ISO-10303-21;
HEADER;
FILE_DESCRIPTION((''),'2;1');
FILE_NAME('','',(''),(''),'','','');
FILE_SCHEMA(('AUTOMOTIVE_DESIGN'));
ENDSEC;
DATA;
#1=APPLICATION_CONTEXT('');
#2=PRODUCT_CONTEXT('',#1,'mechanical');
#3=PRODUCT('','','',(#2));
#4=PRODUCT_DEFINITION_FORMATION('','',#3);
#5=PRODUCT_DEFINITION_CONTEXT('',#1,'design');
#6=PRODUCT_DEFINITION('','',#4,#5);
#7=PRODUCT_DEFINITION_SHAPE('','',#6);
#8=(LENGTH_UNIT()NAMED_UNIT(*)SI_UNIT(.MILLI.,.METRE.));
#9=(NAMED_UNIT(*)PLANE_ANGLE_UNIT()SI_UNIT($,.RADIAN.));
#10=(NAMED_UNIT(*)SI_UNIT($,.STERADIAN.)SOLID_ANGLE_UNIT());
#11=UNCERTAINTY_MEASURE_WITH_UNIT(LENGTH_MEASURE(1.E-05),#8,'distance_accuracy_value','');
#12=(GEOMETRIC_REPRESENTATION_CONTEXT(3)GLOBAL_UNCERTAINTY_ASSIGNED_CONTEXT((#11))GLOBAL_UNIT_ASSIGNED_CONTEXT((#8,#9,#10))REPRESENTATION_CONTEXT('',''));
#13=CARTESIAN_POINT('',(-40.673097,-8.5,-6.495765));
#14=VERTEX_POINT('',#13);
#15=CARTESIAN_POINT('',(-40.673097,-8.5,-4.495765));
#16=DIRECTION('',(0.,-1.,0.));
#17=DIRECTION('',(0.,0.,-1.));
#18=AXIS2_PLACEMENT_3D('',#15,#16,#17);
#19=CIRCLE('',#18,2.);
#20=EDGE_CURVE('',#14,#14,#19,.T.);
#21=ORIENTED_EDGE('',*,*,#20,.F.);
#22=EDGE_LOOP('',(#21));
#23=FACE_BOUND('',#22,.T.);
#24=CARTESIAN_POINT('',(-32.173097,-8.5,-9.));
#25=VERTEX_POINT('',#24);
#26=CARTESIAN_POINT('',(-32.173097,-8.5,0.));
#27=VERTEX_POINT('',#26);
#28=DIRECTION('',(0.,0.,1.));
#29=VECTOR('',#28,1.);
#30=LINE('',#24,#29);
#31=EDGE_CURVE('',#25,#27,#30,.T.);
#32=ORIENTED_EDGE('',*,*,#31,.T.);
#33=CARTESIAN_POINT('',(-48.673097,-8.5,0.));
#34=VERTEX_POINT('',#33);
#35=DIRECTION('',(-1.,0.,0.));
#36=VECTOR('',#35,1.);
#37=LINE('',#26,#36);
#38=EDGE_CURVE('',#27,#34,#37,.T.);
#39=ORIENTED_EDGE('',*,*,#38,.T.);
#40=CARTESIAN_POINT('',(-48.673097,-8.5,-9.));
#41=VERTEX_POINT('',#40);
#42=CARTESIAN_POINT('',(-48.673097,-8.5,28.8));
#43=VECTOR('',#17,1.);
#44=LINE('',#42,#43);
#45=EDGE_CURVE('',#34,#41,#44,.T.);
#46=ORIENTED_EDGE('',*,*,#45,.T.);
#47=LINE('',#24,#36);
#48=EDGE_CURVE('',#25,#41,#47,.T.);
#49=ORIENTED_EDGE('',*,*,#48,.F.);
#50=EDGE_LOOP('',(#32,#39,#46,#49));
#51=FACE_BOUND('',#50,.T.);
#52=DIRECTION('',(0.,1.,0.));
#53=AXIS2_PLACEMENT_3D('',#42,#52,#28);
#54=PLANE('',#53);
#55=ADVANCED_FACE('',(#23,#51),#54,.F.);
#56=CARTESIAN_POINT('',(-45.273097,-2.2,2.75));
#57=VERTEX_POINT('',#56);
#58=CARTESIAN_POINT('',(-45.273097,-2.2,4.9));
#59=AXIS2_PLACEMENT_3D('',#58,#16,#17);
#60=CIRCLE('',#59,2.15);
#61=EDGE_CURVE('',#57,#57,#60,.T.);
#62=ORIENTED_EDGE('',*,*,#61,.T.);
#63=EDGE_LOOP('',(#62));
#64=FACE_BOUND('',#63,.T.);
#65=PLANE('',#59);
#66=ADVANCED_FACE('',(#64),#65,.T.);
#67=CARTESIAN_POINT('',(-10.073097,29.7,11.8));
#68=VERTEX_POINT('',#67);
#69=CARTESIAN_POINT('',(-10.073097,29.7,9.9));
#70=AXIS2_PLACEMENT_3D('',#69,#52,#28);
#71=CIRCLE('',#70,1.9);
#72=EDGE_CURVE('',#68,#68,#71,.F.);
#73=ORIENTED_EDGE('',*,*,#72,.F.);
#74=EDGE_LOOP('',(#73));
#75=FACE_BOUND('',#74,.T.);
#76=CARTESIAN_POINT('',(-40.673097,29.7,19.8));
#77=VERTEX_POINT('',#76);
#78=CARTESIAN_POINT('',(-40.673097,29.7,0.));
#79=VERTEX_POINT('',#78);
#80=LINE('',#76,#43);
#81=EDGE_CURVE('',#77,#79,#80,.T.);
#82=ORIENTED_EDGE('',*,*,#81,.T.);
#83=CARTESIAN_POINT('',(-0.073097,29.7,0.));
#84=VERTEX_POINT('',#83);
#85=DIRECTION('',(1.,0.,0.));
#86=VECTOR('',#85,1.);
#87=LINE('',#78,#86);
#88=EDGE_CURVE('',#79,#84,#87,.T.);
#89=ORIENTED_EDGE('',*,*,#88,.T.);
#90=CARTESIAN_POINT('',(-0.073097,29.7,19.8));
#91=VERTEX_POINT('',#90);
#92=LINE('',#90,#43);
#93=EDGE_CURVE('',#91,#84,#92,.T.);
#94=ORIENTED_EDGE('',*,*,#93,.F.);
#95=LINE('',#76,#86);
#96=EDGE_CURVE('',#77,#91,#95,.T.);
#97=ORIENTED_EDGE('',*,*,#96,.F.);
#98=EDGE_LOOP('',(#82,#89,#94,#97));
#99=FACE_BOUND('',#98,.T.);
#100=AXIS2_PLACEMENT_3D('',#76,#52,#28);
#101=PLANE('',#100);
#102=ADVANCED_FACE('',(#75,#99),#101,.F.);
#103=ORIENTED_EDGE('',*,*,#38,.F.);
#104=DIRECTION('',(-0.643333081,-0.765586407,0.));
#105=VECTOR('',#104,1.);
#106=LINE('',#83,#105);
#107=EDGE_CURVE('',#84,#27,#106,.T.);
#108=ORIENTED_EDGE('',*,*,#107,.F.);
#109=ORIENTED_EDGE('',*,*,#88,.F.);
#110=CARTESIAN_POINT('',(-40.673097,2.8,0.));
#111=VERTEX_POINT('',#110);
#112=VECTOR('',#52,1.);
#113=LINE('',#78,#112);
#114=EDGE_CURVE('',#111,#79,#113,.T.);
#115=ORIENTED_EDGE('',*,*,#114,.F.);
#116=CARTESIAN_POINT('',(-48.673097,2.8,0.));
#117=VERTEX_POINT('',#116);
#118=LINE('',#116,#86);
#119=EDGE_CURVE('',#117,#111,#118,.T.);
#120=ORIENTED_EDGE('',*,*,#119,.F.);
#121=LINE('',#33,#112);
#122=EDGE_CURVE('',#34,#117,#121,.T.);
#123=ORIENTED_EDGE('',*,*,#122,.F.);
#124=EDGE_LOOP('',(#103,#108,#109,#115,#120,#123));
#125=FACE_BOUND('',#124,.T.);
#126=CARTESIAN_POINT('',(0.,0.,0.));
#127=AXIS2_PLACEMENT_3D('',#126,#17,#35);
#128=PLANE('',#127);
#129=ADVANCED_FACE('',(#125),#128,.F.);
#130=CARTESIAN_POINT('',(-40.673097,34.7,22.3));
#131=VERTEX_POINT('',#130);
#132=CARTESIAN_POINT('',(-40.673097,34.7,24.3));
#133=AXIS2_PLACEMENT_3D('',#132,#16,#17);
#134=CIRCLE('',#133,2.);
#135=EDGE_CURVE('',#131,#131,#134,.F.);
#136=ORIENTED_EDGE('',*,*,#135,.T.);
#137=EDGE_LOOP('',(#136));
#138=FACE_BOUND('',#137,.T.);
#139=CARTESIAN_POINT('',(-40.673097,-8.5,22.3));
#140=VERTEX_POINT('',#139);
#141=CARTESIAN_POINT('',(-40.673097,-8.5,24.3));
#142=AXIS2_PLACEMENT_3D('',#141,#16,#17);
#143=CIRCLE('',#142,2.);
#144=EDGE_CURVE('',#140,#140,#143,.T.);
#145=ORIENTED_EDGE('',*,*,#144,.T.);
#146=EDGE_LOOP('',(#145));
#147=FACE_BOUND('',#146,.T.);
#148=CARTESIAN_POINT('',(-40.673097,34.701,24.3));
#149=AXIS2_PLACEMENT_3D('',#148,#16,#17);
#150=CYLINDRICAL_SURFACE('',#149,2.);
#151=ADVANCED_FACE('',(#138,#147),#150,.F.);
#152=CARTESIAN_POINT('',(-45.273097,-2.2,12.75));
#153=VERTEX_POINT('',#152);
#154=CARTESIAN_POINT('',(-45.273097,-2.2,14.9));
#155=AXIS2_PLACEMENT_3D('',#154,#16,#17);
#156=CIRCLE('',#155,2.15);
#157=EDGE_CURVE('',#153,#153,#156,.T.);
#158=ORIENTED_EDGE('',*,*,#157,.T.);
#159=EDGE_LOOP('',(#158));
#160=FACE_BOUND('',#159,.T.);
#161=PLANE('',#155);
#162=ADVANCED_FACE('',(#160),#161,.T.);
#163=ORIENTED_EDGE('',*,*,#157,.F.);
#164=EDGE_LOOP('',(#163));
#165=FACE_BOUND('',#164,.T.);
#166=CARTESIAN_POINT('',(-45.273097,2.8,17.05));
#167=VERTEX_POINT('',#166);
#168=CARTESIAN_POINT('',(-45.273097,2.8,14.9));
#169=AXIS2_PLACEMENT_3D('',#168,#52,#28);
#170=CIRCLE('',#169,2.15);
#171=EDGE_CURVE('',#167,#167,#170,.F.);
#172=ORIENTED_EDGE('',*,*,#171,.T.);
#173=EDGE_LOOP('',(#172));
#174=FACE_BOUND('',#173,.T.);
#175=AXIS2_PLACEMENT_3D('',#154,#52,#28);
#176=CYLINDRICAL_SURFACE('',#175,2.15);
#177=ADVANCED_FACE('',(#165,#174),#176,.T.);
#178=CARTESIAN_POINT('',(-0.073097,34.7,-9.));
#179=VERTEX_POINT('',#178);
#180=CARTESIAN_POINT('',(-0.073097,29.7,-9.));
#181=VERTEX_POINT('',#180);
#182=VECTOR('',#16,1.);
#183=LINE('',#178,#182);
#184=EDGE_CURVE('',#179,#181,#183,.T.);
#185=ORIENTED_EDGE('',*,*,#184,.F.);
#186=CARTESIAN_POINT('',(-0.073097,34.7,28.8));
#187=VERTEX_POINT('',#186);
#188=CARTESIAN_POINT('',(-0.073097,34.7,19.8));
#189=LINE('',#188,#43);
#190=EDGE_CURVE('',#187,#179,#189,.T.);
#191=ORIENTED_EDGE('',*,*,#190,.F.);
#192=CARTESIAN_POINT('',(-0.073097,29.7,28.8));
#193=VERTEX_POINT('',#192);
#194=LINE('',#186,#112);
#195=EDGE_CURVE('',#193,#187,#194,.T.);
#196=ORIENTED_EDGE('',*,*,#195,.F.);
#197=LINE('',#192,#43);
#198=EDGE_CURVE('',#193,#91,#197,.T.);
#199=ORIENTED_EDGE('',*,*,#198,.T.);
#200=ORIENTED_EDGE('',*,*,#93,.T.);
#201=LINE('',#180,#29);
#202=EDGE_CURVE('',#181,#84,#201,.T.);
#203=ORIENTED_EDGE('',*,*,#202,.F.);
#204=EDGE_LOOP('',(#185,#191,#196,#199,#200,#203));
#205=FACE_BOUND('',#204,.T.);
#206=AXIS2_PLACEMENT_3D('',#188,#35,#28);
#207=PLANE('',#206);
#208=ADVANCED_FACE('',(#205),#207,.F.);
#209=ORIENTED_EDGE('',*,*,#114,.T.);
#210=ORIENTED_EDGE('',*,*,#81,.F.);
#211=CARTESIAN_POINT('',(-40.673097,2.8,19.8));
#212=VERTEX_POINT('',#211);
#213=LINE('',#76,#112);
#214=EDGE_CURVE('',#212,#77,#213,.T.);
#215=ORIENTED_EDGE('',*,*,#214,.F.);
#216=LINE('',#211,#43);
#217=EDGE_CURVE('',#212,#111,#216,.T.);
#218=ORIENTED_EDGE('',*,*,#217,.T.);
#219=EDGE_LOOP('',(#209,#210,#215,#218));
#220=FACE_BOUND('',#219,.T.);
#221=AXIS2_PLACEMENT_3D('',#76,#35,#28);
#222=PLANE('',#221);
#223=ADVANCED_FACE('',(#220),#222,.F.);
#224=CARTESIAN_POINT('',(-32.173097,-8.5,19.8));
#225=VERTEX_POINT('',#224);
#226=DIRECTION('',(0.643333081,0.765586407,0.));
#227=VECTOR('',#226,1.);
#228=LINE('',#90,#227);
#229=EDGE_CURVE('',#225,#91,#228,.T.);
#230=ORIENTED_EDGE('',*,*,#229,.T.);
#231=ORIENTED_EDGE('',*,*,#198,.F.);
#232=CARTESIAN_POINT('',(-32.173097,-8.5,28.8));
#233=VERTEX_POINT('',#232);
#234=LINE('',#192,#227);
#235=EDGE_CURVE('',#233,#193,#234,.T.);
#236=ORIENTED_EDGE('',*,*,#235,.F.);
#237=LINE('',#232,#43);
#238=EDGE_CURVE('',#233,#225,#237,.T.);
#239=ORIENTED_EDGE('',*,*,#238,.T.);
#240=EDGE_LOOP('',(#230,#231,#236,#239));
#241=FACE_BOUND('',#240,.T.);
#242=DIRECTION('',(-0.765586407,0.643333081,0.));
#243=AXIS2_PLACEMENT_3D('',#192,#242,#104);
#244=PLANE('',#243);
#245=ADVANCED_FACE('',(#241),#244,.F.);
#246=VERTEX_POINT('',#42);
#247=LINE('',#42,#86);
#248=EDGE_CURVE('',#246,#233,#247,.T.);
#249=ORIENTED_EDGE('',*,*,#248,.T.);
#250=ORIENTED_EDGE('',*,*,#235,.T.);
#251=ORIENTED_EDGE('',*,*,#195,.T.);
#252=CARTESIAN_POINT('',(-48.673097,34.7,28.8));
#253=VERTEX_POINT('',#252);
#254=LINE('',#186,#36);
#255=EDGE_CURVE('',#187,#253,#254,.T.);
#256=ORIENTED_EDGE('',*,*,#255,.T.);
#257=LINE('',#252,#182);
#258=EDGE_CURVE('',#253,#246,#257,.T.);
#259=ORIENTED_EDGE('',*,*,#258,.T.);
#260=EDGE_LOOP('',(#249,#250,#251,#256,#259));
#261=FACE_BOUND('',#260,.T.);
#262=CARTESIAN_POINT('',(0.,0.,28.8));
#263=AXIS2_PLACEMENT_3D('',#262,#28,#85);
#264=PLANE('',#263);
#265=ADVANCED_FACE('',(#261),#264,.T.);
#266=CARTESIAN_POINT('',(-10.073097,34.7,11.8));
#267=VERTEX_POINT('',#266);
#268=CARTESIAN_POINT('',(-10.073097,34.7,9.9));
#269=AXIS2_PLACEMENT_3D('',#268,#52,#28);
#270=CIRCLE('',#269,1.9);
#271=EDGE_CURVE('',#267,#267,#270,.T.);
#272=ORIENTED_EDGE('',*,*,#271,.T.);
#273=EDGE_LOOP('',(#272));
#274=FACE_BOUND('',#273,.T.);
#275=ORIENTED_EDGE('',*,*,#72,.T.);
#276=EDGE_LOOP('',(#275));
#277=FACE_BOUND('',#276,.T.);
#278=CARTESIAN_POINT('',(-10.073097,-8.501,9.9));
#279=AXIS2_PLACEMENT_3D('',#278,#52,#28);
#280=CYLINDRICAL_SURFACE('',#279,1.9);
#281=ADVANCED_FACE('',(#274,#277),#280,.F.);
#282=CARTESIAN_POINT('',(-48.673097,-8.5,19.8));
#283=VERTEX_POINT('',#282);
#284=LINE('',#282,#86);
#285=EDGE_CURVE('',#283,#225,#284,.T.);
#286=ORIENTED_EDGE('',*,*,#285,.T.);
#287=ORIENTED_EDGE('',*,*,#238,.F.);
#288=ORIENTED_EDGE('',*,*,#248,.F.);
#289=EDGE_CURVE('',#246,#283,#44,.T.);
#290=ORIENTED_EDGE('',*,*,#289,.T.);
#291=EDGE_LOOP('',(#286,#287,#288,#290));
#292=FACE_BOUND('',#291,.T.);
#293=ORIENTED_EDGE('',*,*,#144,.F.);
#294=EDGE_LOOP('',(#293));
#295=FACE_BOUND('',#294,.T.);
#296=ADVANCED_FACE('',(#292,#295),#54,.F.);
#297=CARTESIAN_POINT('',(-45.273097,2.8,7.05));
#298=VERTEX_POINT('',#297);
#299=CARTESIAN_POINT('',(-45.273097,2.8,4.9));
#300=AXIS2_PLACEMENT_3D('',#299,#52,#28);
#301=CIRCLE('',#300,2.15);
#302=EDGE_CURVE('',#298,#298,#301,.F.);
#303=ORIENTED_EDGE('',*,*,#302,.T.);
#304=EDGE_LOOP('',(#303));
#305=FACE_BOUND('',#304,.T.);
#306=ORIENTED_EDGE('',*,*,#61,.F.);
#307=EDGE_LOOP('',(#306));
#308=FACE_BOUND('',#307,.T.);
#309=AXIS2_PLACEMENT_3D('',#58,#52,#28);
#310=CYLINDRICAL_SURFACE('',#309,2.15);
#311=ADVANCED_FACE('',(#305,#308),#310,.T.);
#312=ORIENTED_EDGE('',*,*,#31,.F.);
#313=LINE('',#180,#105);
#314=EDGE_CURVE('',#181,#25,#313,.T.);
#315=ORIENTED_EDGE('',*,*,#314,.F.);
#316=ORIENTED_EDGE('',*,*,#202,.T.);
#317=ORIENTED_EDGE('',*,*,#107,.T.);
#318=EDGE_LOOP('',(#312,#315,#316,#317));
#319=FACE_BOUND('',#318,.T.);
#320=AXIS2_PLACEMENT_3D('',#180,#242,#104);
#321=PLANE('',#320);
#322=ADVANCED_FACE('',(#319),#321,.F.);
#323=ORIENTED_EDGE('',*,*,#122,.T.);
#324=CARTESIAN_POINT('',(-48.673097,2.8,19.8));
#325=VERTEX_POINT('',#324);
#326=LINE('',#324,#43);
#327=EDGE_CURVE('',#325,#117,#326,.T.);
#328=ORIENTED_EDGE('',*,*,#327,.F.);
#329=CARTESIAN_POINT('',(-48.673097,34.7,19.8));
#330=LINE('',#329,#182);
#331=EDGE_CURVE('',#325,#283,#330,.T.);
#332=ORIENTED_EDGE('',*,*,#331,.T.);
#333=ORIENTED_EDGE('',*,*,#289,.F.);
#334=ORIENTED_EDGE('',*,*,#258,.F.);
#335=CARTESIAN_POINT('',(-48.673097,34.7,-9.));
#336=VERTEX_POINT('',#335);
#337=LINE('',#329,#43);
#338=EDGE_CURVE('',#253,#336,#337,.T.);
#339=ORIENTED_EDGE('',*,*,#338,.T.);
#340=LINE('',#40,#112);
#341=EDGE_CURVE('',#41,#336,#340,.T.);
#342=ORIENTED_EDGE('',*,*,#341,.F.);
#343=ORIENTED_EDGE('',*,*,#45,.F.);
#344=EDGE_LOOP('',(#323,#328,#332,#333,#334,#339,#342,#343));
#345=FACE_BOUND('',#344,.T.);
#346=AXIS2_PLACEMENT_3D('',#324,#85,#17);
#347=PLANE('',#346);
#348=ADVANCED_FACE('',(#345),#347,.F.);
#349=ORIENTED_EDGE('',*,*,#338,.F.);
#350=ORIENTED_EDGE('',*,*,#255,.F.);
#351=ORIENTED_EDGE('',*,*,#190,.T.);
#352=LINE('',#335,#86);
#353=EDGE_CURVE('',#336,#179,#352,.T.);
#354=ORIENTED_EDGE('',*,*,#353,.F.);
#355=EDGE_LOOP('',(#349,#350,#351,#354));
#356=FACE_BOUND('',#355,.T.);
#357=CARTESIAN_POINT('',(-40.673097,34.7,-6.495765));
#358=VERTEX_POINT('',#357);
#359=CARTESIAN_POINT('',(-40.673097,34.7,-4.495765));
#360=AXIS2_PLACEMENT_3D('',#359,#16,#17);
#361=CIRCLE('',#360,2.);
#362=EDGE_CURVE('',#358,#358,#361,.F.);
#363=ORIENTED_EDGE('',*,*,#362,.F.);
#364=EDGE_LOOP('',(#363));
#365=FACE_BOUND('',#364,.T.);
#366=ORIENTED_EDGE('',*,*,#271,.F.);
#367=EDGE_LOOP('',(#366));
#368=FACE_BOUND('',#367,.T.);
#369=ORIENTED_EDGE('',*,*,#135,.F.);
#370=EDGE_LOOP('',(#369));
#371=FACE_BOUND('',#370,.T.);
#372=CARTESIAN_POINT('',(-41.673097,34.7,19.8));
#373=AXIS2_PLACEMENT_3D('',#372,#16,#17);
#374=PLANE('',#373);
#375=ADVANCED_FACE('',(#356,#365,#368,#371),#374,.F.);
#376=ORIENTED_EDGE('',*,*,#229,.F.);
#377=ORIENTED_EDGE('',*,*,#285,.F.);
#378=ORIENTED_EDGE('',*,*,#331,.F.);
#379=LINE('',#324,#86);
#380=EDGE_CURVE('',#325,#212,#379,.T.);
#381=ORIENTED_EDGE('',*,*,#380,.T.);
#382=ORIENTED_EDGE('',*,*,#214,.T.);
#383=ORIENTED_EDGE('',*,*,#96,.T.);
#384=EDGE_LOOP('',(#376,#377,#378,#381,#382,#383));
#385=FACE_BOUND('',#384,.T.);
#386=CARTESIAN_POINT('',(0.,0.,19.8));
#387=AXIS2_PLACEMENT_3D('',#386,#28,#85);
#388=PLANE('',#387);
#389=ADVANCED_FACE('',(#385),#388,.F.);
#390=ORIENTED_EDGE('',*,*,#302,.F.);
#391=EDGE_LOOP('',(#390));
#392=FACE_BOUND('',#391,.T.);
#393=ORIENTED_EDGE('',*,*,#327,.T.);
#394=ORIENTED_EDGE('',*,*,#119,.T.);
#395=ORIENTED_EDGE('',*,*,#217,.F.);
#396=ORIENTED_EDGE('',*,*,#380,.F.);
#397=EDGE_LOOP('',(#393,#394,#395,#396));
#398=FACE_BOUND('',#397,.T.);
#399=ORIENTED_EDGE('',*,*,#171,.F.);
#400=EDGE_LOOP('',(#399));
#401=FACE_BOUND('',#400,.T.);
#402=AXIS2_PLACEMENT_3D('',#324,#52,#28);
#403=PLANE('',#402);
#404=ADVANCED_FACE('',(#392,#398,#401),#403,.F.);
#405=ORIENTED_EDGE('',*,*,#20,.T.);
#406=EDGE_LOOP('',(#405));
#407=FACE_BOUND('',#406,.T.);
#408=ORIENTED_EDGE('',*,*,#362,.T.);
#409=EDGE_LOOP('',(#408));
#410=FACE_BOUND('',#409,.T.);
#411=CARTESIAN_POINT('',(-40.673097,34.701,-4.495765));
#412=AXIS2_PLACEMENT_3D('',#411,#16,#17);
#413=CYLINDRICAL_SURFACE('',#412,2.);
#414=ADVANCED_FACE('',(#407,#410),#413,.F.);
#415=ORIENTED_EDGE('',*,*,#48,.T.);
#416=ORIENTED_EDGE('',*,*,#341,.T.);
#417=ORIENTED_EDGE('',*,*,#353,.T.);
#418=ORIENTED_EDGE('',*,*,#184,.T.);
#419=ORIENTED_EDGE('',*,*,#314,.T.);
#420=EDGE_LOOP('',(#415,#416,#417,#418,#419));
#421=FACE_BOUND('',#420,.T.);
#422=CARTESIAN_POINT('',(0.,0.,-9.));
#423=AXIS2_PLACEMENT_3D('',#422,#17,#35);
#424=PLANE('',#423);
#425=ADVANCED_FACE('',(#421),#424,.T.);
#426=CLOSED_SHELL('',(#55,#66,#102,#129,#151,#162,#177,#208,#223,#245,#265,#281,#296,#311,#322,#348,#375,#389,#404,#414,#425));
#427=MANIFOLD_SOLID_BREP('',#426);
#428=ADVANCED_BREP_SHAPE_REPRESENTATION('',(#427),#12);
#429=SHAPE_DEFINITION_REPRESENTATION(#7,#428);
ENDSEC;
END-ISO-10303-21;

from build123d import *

# Parameters (mm, degrees)
EXTRUDE_1_DEPTH     = 19.8
EXTRUDE_1_2_DEPTH   = 19.8
SKETCH_2_W          = 1
SKETCH_2_H          = 0.8
CUT_EXTRUDE_1_DEPTH = 8
EXTRUDE_2_DEPTH     = 9
EXTRUDE_3_DEPTH     = 9
CUT_EXTRUDE_2_REACH = 73.167
SKETCH_5_R          = 1.9
CUT_EXTRUDE_5_REACH = 68.298
SKETCH_8_W          = 19.8
SKETCH_8_H          = 8.5
SKETCH_9_R          = 2.15
EXTRUDE_4_DEPTH     = 5
CUT_EXTRUDE_6_REACH = 73.167
SKETCH_10_R         = 2


with BuildPart() as part:
    # 草圖1 → 填料-伸長1 (new body)
    with BuildSketch(Plane.XY):
        Polygon((-40.673096552, 29.7), (-40.673096552, 2.8), (-48.673096552, 2.8), (-48.673096552, 34.7), (-41.673096552, 34.7), (-0.073096552, 34.7), (-0.073096552, 29.7), align=None)
    extrude(amount=EXTRUDE_1_DEPTH)



with BuildPart() as body_2:
    # 草圖1 → Extrude 1 2 (new body)
    with BuildSketch(Plane.XY):
        Polygon((-48.673096552, -8.5), (-40.673096552, -8.5), (-40.673096552, -3.2), (-40.673096552, 0), (-48.673096552, 0), align=None)
    extrude(amount=EXTRUDE_1_2_DEPTH)

    # 草圖2 → 除料-伸長1 (cut)
    with BuildSketch(Plane.ZY.offset(48.673096552)):
        with Locations((9.9, -0.4)):
            Rectangle(SKETCH_2_W, SKETCH_2_H)
    extrude(amount=-CUT_EXTRUDE_1_DEPTH, mode=Mode.SUBTRACT)


with BuildPart() as part_1:
    add(part.part)

    add(body_2.part)  # 填料-伸長2 merges body 2
    # 草圖3 → 填料-伸長2 (add)
    with BuildSketch(Plane.XY.offset(19.8)):
        Polygon((-48.673096552, -8.5), (-32.173096552, -8.5), (-0.073096552, 29.7), (-0.073096552, 34.7), (-48.673096552, 34.7), align=None)
    extrude(amount=EXTRUDE_2_DEPTH)

    # 草圖4 → 填料-伸長3 (add)
    with BuildSketch(Plane(origin=(0, 0, 0), x_dir=(-1, 0, 0), z_dir=(0, 0, -1))):
        Polygon((48.673096552, -8.5), (48.673096552, 34.7), (0.073096552, 34.7), (0.073096552, 29.7), (32.173096552, -8.5), align=None)
    extrude(amount=EXTRUDE_3_DEPTH)

    # 草圖5 → 除料-伸長2 (cut, up to next)
    with BuildSketch(Plane(origin=(0, 34.7, 0), x_dir=(1, 0, 0), z_dir=(0, 1, 0)), mode=Mode.PRIVATE) as cut_extrude_2_sk1:
        with Locations(Location((-10.073096552, -9.9, 0), (0, 0, 270))):
            Circle(SKETCH_5_R)
    cut_extrude_2_tool1 = extrude(cut_extrude_2_sk1.sketch, amount=-CUT_EXTRUDE_2_REACH, mode=Mode.PRIVATE) & part_1.part
    add(cut_extrude_2_tool1.solids().sort_by_distance((-10.073097, 34.7, 9.9))[0], mode=Mode.SUBTRACT)

    # 除料-伸長5: up to this plane
    cut_extrude_5_end = Plane(origin=(-0.073096552, 29.7, -9), z_dir=(-0.765586407498208, 0.6433330806464003, 0))
    # 草圖8 → 除料-伸長5 (cut, up to the surface)
    with BuildSketch(Plane.ZY.offset(48.673096552), mode=Mode.PRIVATE) as cut_extrude_5_sk1:
        with Locations((9.9, -4.25)):
            Rectangle(SKETCH_8_W, SKETCH_8_H)
    cut_extrude_5_tool1 = split(extrude(cut_extrude_5_sk1.sketch, amount=-CUT_EXTRUDE_5_REACH, mode=Mode.PRIVATE), bisect_by=cut_extrude_5_end, keep=Keep.BOTH, mode=Mode.PRIVATE)
    add(cut_extrude_5_tool1.solids().sort_by_distance((-48.673097, -4.25, 9.9))[0], mode=Mode.SUBTRACT)

    # 草圖9 → 填料-伸長4 (add)
    with BuildSketch(Plane.XZ.offset(-2.8)):
        with Locations(Location((-45.273096552, 14.9, 0), (0, 0, 90))):
            Circle(SKETCH_9_R)
        with Locations(Location((-45.273096552, 4.9, 0), (0, 0, 90))):
            Circle(SKETCH_9_R)
    extrude(amount=EXTRUDE_4_DEPTH)

    # 草圖10 → 除料-伸長6 (cut, up to next)
    with BuildSketch(Plane(origin=(0, -8.5, 0), x_dir=(-1, 0, 0), z_dir=(0, -1, 0)), mode=Mode.PRIVATE) as cut_extrude_6_sk1:
        with Locations(Location((40.673096552, -24.3, 0), (0, 0, 90))):
            Circle(SKETCH_10_R)
    cut_extrude_6_tool1 = extrude(cut_extrude_6_sk1.sketch, amount=-CUT_EXTRUDE_6_REACH, mode=Mode.PRIVATE) & part_1.part
    # 草圖10 → 除料-伸長6 (cut, up to next)
    with BuildSketch(Plane(origin=(0, -8.5, 0), x_dir=(-1, 0, 0), z_dir=(0, -1, 0)), mode=Mode.PRIVATE) as cut_extrude_6_sk2:
        with Locations(Location((40.673096552, 4.495764624, 0), (0, 0, 90))):
            Circle(SKETCH_10_R)
    cut_extrude_6_tool2 = extrude(cut_extrude_6_sk2.sketch, amount=-CUT_EXTRUDE_6_REACH, mode=Mode.PRIVATE) & part_1.part
    add(cut_extrude_6_tool1.solids().sort_by_distance((-40.673097, -8.5, 24.3))[0], mode=Mode.SUBTRACT)
    add(cut_extrude_6_tool2.solids().sort_by_distance((-40.673097, -8.5, -4.495765))[0], mode=Mode.SUBTRACT)


solid = part_1.part
